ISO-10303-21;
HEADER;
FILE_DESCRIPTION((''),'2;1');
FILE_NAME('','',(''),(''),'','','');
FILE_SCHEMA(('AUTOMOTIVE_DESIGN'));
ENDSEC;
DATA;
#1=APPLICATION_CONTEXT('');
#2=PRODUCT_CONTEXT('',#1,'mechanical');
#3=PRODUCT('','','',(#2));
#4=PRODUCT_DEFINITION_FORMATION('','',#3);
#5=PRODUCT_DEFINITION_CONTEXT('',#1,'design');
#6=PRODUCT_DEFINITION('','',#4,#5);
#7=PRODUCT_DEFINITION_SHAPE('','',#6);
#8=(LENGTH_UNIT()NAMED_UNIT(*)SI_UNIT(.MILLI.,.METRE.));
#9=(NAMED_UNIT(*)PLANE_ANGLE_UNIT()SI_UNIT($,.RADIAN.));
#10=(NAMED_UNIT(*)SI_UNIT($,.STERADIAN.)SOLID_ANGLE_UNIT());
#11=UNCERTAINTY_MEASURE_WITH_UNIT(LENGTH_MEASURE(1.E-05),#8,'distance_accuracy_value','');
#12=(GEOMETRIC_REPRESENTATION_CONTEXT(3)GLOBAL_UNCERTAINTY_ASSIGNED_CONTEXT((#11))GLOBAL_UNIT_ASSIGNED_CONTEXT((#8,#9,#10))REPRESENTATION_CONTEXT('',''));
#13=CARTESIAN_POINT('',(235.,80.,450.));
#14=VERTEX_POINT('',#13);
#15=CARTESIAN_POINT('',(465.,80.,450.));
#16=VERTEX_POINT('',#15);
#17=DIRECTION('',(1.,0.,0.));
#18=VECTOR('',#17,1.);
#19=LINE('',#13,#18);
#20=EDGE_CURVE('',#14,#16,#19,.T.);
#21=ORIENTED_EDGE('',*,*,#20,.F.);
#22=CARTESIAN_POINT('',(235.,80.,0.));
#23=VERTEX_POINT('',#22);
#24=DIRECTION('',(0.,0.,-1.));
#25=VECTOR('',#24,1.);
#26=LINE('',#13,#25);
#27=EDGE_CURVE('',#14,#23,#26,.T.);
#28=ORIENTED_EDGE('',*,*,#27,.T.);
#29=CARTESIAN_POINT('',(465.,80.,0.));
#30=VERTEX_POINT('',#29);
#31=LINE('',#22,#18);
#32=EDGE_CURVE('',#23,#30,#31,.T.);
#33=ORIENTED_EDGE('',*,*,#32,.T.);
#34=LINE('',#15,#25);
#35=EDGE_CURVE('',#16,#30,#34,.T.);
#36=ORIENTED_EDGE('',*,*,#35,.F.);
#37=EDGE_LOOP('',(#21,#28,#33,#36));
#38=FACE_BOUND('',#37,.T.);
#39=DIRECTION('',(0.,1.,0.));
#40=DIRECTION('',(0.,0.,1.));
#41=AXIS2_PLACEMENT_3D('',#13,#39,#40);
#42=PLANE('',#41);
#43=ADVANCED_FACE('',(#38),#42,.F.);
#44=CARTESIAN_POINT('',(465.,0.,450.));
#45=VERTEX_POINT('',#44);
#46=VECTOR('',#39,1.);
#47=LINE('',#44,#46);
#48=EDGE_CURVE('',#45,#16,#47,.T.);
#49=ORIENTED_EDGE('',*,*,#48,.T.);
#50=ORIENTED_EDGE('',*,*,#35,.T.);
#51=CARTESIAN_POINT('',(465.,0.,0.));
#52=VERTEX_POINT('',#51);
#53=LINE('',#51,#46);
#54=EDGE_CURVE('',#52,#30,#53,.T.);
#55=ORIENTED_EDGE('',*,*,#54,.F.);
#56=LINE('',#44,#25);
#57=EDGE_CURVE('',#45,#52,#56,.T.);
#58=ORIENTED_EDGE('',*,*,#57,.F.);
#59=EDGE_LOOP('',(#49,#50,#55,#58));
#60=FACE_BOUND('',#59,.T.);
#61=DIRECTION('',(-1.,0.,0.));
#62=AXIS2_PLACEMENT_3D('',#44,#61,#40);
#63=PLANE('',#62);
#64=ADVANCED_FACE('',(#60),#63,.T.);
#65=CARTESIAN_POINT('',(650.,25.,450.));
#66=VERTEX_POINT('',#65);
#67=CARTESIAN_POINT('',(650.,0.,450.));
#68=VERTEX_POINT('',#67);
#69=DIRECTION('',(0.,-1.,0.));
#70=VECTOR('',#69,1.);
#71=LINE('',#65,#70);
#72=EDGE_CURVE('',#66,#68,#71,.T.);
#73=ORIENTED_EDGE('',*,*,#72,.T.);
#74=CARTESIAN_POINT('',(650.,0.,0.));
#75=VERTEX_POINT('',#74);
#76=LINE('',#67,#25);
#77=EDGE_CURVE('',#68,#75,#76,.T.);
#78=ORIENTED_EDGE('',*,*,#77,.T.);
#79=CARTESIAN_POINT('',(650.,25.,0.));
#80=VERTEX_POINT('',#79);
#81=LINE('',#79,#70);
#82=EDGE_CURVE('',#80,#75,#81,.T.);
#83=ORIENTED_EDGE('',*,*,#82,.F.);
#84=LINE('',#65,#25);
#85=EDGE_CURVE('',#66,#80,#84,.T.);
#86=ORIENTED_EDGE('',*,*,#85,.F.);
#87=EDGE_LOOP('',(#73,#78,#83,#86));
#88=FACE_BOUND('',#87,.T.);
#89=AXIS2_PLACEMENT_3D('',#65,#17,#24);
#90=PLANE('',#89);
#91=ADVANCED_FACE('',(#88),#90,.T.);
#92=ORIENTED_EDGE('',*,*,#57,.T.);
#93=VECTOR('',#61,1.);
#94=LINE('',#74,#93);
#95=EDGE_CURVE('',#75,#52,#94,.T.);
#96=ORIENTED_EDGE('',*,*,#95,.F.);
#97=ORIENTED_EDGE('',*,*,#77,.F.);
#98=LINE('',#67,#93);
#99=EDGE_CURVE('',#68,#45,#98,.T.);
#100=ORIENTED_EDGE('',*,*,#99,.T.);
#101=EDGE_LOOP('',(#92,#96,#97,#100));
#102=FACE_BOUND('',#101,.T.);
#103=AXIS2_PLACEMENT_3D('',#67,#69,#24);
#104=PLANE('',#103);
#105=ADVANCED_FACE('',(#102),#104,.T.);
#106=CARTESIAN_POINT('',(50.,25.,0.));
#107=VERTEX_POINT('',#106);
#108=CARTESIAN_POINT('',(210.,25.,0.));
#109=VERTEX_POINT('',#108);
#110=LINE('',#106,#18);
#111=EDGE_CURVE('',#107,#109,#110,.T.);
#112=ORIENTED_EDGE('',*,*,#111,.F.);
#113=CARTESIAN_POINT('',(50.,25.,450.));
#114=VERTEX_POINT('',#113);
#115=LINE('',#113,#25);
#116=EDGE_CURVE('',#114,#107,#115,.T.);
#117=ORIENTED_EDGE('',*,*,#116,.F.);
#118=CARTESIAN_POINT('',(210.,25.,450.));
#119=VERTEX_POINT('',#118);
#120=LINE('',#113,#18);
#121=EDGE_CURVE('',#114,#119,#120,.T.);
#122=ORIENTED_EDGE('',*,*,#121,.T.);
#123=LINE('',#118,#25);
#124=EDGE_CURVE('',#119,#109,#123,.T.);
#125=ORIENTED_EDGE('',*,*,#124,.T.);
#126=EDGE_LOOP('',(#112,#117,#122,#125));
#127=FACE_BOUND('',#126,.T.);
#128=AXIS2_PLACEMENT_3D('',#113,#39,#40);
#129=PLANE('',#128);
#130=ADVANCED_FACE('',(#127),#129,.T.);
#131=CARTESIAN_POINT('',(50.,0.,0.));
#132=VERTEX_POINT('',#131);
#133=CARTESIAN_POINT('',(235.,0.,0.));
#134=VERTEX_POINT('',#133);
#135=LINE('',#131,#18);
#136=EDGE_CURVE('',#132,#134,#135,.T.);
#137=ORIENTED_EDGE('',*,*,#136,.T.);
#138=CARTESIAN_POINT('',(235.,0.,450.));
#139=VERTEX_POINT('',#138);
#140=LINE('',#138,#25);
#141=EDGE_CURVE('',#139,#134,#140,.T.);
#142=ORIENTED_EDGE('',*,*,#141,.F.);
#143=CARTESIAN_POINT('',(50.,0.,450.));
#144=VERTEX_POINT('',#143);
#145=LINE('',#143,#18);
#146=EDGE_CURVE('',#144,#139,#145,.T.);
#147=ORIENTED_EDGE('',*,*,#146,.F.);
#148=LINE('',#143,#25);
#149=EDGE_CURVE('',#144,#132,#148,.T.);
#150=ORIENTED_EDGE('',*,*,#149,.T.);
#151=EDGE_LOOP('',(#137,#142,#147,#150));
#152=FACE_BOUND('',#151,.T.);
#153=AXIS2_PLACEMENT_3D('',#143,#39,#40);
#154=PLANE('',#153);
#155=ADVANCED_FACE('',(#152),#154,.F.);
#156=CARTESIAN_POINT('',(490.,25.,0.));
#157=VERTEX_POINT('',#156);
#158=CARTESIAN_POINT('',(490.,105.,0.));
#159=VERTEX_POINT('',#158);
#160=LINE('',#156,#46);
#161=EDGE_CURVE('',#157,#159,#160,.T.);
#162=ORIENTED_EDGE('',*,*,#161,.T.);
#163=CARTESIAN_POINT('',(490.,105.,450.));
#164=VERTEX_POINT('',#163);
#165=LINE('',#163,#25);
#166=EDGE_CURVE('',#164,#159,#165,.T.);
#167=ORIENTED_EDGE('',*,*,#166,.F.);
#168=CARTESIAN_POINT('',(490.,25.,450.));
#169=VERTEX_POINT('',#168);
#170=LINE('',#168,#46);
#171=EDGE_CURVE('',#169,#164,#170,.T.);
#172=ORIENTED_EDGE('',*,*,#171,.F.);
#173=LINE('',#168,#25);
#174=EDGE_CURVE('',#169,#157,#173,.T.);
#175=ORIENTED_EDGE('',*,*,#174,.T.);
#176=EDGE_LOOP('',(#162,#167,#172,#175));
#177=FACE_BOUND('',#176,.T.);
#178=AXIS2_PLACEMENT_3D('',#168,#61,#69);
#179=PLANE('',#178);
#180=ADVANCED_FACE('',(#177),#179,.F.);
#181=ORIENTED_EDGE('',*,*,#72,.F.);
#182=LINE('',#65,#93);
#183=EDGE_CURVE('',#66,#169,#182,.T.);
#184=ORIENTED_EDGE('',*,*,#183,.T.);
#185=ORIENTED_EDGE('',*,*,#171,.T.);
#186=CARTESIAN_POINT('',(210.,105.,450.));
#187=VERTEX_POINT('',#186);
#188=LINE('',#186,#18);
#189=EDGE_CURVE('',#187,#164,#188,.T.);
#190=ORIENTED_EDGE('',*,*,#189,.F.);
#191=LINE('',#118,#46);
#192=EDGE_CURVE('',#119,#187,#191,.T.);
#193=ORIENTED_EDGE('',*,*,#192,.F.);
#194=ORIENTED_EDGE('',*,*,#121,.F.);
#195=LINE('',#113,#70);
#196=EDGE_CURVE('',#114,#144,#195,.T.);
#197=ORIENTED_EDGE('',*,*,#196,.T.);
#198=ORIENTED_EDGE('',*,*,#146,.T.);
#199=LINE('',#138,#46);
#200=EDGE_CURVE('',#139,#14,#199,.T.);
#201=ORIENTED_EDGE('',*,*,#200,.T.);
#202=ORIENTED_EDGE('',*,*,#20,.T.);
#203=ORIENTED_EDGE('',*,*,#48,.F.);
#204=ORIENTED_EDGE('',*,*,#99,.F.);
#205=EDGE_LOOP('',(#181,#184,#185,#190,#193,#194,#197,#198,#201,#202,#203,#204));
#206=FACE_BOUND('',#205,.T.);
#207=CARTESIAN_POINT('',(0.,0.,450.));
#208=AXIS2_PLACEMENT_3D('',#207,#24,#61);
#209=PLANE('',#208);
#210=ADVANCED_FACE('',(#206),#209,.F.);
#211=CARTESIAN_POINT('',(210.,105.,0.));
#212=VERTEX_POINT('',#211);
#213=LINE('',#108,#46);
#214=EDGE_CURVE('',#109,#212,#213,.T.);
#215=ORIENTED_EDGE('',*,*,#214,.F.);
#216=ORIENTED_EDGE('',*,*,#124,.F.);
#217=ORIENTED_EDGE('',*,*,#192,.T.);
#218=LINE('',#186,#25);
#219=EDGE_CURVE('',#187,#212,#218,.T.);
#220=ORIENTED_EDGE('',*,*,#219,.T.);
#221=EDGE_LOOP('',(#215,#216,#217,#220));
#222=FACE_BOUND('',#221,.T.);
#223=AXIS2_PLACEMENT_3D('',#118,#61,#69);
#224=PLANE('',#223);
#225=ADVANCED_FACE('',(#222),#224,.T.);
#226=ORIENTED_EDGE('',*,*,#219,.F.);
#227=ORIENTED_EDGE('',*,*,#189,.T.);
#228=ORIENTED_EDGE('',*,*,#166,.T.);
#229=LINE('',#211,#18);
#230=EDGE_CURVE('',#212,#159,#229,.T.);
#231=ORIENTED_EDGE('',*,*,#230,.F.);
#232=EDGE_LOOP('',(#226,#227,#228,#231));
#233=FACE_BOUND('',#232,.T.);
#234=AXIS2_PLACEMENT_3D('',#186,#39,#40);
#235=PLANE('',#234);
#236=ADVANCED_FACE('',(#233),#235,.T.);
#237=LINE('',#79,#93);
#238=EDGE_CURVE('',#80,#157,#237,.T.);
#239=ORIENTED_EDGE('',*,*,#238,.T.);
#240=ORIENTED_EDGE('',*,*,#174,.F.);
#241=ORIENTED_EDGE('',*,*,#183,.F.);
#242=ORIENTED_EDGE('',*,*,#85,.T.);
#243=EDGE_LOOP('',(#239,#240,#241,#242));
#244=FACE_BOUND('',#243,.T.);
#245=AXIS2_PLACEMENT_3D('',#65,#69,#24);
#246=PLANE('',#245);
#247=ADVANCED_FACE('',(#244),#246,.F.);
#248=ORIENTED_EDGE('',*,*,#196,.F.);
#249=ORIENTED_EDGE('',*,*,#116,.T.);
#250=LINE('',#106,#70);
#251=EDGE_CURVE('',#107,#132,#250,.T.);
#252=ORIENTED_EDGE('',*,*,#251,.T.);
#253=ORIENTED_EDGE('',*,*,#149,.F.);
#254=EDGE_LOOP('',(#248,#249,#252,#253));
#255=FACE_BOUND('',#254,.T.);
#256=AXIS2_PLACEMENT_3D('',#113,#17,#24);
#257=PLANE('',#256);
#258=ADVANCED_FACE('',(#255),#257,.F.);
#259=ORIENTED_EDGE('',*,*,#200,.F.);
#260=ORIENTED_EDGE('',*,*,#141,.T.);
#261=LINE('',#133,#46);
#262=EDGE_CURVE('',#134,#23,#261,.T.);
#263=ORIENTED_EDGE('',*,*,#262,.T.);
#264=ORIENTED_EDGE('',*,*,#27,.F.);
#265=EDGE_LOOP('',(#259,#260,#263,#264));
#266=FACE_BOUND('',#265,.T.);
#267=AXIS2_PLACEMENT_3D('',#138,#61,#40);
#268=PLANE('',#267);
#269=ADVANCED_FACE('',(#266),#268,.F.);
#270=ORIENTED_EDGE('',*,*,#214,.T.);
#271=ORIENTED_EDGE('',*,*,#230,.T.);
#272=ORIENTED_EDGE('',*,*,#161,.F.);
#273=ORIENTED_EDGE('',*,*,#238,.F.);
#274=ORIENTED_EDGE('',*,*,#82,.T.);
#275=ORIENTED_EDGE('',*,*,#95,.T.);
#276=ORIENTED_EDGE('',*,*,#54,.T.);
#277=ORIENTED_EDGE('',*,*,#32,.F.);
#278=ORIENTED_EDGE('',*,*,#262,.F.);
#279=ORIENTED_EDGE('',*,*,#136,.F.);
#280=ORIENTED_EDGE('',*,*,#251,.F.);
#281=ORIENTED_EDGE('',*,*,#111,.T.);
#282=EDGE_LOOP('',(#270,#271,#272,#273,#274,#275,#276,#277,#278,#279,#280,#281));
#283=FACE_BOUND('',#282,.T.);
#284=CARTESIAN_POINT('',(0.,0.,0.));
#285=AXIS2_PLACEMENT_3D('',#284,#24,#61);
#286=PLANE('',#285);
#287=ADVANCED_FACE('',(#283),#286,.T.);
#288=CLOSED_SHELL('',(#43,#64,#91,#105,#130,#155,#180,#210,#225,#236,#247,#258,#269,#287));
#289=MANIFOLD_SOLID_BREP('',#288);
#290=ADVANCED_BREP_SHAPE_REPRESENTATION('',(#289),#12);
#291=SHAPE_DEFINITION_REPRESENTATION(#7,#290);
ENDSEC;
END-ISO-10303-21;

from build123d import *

# Parameters (mm, degrees)
BOSS_EXTRUDE1_DEPTH = 450


with BuildPart() as part:
    # Sketch1 → Boss-Extrude1 (new body)
    with BuildSketch(Plane.XY):
        Polygon((50, 0), (235, 0), (235, 80), (465, 80), (465, 0), (650, 0), (650, 25), (490, 25), (490, 105), (210, 105), (210, 25), (50, 25), align=None)
    extrude(amount=BOSS_EXTRUDE1_DEPTH)


solid = part.part
